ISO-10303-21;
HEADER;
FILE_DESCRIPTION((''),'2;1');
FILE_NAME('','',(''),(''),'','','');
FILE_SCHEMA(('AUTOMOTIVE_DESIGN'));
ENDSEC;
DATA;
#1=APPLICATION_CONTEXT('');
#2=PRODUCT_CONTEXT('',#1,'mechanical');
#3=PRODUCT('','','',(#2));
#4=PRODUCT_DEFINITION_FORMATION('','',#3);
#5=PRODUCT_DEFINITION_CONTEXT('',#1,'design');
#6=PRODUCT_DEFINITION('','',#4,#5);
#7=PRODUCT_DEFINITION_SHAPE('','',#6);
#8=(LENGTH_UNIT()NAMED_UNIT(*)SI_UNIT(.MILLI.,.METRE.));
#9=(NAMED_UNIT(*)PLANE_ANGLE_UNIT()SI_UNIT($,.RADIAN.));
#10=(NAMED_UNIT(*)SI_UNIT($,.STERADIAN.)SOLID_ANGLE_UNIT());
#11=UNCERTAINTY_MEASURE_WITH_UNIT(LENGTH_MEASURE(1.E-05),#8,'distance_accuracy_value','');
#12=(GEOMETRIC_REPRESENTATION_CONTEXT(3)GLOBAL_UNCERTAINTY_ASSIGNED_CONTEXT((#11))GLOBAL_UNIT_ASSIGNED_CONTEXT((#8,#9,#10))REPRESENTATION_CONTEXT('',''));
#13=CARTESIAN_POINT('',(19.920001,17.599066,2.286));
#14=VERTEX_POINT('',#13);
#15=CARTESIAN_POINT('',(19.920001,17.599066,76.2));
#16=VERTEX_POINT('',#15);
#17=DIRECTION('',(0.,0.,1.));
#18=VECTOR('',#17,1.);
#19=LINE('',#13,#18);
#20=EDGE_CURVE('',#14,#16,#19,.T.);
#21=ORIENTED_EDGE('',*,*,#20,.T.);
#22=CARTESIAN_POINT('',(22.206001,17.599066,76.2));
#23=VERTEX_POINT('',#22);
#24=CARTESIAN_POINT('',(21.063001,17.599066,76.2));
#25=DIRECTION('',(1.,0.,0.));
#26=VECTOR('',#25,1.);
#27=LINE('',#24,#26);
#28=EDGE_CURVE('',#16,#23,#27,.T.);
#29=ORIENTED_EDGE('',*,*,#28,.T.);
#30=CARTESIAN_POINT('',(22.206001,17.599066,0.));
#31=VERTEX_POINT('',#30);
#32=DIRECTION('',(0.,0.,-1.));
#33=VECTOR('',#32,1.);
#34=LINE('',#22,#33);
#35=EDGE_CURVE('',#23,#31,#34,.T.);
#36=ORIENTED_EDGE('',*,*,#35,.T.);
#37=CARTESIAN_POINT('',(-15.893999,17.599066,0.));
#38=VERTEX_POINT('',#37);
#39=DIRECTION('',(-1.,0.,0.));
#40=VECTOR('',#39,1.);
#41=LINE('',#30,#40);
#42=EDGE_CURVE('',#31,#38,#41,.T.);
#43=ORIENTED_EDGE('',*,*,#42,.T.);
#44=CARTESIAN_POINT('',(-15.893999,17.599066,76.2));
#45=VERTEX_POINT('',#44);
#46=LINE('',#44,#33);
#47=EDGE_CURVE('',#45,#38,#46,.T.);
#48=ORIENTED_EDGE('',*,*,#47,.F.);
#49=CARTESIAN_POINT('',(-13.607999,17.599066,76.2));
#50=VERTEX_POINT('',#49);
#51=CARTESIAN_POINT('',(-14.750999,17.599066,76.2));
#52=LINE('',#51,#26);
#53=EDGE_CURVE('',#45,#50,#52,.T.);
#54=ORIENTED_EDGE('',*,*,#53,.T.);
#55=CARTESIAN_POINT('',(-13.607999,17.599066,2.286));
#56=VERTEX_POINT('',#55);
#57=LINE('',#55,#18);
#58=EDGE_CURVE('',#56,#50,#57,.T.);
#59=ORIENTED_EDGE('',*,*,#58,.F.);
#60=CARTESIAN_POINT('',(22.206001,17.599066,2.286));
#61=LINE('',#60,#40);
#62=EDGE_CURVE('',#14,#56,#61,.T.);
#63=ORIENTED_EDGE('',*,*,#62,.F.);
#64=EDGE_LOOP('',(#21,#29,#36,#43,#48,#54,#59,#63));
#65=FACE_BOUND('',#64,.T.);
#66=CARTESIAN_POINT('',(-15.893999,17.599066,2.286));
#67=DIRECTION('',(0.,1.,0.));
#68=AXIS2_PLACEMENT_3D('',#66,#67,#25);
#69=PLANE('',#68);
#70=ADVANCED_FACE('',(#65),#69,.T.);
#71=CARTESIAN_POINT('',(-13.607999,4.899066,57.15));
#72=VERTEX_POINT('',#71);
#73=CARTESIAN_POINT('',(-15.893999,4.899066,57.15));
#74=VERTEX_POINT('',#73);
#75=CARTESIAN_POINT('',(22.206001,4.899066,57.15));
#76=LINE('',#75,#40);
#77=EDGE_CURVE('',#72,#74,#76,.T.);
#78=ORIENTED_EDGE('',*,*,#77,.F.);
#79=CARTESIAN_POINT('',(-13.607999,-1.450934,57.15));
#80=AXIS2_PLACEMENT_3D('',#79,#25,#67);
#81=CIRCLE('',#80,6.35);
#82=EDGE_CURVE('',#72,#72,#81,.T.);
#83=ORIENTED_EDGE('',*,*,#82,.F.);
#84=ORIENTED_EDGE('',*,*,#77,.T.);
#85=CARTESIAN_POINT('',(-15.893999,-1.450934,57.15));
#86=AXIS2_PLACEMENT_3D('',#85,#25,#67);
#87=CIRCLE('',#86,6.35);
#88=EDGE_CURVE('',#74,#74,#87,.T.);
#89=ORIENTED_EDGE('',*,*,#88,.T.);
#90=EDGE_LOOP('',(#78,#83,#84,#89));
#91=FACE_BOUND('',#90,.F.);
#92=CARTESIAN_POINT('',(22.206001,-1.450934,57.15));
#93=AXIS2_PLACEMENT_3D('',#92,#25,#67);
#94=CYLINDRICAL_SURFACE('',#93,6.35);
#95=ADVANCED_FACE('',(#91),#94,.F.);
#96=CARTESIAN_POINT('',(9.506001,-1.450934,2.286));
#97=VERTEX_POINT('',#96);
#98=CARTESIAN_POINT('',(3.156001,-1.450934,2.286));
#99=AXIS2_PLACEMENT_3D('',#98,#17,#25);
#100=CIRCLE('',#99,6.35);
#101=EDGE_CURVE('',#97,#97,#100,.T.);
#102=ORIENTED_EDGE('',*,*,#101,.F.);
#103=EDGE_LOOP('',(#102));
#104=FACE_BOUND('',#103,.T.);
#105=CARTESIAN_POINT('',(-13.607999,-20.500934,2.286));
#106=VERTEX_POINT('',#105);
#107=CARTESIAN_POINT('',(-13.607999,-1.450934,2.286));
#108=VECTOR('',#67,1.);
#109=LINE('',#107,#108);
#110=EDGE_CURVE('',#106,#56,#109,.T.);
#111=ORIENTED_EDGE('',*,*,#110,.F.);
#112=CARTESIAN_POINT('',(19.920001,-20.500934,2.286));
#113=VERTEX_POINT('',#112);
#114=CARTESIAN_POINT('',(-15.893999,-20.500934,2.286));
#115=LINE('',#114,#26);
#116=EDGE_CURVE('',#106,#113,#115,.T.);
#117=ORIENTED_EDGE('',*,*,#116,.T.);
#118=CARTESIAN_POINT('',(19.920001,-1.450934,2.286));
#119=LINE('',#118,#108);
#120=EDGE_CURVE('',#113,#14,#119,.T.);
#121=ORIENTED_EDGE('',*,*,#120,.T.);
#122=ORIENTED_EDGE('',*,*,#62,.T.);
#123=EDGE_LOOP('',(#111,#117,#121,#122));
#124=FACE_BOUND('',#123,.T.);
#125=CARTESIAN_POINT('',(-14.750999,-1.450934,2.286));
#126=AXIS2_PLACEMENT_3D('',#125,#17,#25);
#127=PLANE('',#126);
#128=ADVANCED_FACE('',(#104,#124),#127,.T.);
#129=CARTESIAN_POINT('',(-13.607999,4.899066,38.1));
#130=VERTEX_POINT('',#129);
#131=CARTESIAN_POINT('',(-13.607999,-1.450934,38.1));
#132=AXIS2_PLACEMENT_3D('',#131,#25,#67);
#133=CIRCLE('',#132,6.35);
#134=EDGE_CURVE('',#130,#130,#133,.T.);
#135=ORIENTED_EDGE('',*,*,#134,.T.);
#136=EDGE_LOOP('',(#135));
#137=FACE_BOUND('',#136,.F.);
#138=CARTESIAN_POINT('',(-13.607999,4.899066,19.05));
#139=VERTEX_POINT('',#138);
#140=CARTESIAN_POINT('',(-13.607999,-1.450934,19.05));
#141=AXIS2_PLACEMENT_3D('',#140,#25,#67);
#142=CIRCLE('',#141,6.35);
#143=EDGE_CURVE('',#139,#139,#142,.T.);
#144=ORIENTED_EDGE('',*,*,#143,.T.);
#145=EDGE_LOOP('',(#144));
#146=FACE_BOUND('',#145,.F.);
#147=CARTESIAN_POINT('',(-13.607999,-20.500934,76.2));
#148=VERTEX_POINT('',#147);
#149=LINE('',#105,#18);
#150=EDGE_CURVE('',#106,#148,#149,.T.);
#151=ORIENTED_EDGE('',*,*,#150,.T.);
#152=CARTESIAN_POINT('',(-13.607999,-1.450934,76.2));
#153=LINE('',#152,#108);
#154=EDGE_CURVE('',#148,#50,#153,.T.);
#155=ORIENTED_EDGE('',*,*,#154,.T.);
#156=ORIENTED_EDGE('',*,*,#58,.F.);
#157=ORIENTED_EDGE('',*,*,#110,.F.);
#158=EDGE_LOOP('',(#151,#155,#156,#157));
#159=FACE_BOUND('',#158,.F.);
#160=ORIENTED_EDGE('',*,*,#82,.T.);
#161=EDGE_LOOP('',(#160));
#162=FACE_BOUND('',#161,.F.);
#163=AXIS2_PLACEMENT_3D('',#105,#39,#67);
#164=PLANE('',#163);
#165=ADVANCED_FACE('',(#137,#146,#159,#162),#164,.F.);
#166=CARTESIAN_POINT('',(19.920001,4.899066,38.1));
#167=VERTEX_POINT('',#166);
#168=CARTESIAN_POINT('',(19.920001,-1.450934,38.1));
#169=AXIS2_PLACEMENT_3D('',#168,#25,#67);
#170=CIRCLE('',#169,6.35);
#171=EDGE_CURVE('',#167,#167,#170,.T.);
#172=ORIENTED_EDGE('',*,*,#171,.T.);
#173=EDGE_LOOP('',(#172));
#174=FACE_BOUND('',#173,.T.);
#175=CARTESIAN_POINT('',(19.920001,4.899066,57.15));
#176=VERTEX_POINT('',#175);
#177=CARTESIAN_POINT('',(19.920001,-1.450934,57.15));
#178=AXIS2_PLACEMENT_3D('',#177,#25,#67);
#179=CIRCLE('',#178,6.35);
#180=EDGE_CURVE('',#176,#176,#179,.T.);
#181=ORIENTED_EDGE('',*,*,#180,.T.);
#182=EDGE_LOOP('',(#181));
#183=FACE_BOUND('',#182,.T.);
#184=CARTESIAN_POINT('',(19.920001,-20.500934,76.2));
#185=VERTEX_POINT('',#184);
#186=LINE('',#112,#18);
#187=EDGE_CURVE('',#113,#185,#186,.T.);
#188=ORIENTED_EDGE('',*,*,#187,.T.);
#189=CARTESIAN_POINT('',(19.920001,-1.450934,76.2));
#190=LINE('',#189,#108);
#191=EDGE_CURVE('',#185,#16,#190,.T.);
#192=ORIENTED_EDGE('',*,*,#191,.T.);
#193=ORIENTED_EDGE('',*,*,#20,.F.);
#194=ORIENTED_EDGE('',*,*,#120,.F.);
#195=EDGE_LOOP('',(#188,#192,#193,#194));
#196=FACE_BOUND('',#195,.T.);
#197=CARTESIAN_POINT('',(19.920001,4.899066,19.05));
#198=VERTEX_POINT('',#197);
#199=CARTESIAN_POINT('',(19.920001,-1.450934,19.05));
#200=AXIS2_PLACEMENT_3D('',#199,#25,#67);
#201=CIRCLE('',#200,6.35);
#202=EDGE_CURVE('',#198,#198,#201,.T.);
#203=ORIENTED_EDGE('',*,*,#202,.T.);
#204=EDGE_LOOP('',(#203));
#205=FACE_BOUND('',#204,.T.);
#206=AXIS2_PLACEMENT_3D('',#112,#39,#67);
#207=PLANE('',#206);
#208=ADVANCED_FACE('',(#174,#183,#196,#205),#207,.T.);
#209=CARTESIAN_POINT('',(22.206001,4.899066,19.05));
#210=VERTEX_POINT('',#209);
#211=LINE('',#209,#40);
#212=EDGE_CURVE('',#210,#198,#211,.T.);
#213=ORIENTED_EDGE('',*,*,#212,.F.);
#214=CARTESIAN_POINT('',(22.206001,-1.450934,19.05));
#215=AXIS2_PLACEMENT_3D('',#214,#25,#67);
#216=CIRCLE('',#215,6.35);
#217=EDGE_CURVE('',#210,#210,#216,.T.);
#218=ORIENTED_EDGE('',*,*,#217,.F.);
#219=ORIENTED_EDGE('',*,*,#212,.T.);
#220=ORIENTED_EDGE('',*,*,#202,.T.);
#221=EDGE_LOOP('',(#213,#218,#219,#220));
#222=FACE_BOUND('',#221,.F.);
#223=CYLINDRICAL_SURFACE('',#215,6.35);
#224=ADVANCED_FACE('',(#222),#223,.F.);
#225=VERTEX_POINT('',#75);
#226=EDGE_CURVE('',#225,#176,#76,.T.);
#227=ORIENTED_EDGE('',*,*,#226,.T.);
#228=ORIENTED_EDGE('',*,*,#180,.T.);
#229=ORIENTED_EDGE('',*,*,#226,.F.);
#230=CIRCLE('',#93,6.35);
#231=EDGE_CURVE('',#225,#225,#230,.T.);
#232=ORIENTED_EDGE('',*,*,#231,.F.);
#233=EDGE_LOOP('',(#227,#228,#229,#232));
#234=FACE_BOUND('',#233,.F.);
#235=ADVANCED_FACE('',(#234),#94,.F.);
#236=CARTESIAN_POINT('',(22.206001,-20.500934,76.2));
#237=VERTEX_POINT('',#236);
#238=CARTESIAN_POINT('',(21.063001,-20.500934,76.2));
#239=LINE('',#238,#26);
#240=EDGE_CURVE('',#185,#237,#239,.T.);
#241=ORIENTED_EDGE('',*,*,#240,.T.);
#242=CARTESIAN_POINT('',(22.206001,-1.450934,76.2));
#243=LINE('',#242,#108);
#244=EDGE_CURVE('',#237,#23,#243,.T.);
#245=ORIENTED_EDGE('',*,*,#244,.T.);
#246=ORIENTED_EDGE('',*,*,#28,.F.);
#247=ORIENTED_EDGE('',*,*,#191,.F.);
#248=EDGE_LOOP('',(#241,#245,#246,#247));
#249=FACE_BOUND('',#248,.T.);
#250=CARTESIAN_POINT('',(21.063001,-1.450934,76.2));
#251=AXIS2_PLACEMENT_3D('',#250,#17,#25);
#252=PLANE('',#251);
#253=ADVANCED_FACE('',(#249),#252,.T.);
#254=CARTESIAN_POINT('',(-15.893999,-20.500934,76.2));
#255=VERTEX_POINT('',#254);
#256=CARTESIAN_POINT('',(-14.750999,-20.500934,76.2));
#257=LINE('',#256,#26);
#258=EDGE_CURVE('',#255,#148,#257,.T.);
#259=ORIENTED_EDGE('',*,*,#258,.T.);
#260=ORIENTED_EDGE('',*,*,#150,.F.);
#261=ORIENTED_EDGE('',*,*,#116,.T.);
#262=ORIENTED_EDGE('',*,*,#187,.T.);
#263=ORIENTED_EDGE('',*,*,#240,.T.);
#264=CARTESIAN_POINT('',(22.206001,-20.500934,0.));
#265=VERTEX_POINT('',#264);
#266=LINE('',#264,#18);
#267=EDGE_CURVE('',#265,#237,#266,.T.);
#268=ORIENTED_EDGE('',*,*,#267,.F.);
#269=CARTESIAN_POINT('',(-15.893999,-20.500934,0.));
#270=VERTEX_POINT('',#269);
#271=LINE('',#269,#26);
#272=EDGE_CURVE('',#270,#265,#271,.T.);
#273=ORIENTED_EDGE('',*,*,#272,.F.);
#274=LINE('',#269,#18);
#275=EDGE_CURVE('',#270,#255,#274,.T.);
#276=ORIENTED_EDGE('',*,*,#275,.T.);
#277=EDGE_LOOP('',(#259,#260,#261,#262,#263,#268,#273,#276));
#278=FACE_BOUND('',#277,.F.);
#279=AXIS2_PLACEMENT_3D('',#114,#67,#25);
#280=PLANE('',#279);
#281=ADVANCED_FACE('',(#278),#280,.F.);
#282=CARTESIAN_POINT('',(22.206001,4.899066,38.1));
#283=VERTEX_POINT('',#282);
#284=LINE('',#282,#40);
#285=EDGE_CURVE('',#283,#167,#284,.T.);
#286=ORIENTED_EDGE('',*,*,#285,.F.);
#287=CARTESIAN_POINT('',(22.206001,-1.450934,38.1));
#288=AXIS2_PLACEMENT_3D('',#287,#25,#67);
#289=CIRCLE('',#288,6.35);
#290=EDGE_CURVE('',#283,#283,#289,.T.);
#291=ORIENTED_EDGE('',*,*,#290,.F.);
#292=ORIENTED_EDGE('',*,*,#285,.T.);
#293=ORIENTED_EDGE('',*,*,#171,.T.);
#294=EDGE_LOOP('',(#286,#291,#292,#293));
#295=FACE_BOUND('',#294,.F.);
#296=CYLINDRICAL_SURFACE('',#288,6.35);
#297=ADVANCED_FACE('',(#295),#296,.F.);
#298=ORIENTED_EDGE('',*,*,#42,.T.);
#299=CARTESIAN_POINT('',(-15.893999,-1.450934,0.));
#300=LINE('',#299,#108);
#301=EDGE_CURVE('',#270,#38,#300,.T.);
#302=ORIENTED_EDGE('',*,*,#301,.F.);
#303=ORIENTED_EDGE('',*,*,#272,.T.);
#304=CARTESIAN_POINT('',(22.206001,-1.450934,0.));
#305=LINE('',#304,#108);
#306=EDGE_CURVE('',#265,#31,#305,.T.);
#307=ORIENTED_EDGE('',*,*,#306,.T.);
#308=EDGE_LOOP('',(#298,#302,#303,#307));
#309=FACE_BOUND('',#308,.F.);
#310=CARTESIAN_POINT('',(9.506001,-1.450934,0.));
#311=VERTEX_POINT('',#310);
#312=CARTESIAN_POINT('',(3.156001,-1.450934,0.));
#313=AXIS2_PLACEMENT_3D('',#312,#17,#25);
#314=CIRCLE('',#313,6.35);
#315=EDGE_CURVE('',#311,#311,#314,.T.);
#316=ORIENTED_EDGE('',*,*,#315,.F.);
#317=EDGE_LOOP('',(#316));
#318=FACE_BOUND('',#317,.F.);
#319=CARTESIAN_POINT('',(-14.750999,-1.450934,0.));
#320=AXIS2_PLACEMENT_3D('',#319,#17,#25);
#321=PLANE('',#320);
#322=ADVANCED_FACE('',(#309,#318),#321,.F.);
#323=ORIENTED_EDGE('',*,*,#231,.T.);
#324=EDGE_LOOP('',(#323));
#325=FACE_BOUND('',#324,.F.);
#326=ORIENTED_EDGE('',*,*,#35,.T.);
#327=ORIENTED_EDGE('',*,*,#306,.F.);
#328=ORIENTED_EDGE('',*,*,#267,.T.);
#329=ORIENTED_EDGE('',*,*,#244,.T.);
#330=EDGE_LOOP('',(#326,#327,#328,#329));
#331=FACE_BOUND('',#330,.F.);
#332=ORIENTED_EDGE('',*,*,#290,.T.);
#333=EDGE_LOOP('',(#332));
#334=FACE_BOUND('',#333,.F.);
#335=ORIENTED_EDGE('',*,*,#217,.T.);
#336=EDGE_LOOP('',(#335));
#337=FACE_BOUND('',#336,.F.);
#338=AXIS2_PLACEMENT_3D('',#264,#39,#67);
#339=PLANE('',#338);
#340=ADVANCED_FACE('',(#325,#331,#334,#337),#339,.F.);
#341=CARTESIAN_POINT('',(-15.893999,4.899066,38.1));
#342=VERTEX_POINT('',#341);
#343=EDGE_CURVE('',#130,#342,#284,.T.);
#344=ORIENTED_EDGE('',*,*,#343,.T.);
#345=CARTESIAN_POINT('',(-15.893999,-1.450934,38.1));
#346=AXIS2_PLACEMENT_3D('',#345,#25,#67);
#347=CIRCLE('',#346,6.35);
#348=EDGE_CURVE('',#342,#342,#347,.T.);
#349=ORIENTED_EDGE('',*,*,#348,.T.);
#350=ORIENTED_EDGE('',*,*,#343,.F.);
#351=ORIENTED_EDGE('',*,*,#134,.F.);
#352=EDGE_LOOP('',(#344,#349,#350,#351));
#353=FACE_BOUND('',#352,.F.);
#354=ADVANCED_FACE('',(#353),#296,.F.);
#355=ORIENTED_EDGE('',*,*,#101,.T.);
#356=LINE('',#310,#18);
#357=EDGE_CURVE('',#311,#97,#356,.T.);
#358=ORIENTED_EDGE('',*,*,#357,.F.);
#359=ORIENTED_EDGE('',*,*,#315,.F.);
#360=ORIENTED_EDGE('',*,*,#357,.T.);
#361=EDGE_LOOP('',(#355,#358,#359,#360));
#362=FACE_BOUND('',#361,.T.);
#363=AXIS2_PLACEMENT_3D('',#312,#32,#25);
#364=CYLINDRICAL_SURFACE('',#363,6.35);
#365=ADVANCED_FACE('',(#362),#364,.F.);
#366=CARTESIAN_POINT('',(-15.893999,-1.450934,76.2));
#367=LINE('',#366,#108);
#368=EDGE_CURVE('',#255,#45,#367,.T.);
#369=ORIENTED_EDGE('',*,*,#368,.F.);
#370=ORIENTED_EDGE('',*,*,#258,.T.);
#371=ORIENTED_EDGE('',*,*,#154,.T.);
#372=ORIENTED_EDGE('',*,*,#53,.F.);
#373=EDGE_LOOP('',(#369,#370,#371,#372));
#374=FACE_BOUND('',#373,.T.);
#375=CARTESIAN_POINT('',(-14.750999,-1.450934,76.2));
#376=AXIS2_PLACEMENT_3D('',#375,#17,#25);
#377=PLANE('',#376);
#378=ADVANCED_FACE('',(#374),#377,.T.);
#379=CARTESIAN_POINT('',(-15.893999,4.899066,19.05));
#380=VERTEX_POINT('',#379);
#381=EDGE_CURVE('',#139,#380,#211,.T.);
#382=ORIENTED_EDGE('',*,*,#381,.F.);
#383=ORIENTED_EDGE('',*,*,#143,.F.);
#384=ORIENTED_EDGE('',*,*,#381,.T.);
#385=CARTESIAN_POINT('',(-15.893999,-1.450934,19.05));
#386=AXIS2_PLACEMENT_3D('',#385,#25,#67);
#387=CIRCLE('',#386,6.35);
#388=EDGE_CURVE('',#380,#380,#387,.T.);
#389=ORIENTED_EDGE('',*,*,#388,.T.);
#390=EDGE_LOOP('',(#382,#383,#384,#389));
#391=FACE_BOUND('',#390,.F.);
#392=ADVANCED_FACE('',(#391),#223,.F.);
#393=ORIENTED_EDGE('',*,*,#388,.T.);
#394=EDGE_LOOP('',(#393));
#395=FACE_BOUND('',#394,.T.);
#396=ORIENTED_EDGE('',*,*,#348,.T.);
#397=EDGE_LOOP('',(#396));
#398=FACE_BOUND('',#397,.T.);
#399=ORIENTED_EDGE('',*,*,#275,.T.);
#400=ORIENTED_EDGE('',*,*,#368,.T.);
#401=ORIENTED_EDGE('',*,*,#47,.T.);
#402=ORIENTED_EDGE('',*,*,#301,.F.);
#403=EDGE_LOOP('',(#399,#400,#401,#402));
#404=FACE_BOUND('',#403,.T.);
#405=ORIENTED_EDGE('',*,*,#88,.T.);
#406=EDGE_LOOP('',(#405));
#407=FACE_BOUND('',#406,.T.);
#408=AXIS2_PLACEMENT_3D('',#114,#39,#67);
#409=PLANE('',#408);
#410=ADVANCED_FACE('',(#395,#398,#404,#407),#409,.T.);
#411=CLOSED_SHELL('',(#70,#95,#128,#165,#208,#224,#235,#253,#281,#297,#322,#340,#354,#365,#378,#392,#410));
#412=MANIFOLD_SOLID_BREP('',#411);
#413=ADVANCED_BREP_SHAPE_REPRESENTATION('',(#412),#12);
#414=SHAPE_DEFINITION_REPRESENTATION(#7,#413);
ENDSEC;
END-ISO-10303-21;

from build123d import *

# Parameters (mm, degrees)
F0_W     = 2.286
F0_H     = 38.1
F0_W_2   = 33.528
F0_R     = 6.35
F1_DEPTH = 2.286
F2_W     = 2.286
F2_H     = 38.1
F3_DEPTH = 73.914
F4_R     = 6.35
F5_DEPTH = 38.101


with BuildPart() as f1:
    # F0 (on Top) → F1 (new body)
    with BuildSketch(Plane.XY):
        with Locations((-14.750999, -1.450934)):
            Rectangle(F0_W, F0_H)
        with Locations((3.156001, -1.450934)):
            Rectangle(F0_W_2, F0_H)
        with Locations((3.156001, -1.450934)):
            Circle(F0_R, mode=Mode.SUBTRACT)
        with Locations((21.063001, -1.450934)):
            Rectangle(F0_W, F0_H)
    extrude(amount=F1_DEPTH)

    # F2 (on face) → F3 (join)
    with BuildSketch(Plane.XY.offset(2.286)):
        with Locations((-14.750999, -1.450934)):
            Rectangle(F2_W, F2_H)
        with Locations((21.063001, -1.450934)):
            Rectangle(F2_W, F2_H)
    extrude(amount=F3_DEPTH)

    # F4 (on face) → F5 (cut, through all)
    with BuildSketch(Plane.YZ.offset(22.206001)):
        with Locations((-1.450934, 57.15)):
            Circle(F4_R)
        with Locations((-1.450934, 38.1)):
            Circle(F4_R)
        with Locations((-1.450934, 19.05)):
            Circle(F4_R)
    extrude(amount=-F5_DEPTH, mode=Mode.SUBTRACT)


solid = f1.part
